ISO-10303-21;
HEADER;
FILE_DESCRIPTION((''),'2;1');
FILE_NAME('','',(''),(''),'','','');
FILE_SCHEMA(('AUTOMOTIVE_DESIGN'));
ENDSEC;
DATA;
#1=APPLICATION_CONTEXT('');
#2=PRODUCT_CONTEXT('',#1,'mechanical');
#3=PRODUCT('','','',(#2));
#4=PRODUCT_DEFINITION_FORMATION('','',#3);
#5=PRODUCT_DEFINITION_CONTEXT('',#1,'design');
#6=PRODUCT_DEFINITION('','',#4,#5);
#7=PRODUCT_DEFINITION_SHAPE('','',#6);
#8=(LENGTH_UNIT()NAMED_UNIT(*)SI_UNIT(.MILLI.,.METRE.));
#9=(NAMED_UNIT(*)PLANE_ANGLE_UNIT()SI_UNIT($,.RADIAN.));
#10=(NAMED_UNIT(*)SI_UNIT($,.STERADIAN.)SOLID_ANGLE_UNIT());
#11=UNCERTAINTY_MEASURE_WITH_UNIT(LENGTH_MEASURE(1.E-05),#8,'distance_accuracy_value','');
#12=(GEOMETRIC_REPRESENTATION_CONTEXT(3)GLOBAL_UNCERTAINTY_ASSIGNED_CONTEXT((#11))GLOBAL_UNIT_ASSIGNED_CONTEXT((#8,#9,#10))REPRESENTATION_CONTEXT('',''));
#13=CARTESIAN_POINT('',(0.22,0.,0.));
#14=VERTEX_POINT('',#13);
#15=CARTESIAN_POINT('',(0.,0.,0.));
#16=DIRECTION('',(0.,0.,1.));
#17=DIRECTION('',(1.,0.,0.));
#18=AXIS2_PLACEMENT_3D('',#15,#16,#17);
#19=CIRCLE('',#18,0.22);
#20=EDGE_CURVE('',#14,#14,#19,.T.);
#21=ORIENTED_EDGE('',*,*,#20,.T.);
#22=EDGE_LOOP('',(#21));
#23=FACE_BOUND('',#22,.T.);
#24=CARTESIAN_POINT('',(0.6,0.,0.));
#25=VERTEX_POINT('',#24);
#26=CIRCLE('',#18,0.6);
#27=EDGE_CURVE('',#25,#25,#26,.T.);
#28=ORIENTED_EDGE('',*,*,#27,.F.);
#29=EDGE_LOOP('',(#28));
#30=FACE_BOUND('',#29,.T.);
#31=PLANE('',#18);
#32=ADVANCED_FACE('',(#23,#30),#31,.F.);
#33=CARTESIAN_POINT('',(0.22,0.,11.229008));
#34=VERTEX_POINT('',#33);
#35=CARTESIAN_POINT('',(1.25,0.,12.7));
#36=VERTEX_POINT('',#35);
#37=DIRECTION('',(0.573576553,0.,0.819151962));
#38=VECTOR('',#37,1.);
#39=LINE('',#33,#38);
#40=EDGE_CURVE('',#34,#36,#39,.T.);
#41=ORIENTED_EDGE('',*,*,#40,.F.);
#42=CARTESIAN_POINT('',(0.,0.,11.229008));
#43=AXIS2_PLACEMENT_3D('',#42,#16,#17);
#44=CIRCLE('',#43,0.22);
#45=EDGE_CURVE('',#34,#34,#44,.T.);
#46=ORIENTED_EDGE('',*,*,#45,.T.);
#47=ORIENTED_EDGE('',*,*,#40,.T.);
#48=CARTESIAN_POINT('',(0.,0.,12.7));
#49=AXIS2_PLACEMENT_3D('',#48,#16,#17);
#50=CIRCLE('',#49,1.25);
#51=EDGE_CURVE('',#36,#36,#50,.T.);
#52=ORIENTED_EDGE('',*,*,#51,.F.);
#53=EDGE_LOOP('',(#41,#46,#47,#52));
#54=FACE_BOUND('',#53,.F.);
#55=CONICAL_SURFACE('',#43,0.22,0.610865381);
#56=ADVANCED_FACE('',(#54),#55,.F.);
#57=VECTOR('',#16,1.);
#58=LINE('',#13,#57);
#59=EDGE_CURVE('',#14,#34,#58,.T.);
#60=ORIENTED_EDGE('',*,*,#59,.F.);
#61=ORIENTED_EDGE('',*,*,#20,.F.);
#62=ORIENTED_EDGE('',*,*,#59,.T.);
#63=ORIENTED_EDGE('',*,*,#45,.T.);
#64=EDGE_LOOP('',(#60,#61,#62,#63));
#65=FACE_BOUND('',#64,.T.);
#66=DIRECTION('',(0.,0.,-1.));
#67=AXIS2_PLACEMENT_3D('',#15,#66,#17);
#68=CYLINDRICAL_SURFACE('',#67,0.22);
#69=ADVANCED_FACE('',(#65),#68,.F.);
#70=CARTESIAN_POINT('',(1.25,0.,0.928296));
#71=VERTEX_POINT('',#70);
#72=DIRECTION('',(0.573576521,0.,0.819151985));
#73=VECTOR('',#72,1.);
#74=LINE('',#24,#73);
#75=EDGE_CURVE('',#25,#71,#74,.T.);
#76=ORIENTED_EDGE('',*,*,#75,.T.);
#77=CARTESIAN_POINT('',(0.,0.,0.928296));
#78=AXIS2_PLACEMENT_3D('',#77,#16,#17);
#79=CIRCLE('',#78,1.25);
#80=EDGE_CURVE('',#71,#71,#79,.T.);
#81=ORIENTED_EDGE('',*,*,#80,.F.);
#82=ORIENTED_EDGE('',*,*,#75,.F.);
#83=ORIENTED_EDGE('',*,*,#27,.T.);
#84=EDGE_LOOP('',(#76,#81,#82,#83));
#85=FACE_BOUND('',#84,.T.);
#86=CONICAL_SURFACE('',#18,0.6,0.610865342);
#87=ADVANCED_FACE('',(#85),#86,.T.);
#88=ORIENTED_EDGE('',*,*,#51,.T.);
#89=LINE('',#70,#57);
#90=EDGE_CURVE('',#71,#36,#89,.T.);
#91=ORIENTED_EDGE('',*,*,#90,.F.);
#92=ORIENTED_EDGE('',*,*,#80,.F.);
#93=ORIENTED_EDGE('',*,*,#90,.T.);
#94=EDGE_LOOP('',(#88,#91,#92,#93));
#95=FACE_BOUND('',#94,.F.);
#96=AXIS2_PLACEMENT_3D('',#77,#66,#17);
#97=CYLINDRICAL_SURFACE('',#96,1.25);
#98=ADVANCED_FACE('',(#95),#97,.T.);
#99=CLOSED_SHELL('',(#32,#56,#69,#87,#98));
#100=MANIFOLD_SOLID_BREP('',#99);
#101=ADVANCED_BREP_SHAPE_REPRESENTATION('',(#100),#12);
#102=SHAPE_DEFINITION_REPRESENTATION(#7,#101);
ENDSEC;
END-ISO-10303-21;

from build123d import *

# Parameters (mm, degrees)
CYLINDER001_R     = 0.22
CYLINDER001_DEPTH = 12.7
CYLINDER_R        = 1.25
CYLINDER_DEPTH    = 11.771704


with BuildPart() as cone001:
    # Cone001 → Cone001 (revolve)
    with BuildSketch(Plane(origin=(0, 0, 11.229008), x_dir=(1, 0, 0), z_dir=(0, -1, 0))):
        Polygon((0, 0), (0.22, 0), (1.25, 1.470992), (0, 1.470992), align=None)
    revolve(axis=Axis((0, 0, 11.229008), (0, 0, 1)))


with BuildPart() as fusion001:
    # Cylinder001 → Cylinder001 (new body)
    with BuildSketch(Plane.XY):
        Circle(CYLINDER001_R)
    extrude(amount=CYLINDER001_DEPTH)

    # Fusion001: union Cone001
    add(cone001.part)


with BuildPart() as cone:
    # Cone → Cone (revolve)
    with BuildSketch(Plane.XZ):
        Polygon((0, 0), (0.6, 0), (1.25, 0.928296), (0, 0.928296), align=None)
    revolve(axis=Axis((0, 0, 0), (0, 0, 1)))


with BuildPart() as fiberferrule:
    # Cylinder → Cylinder (new body)
    with BuildSketch(Plane.XY.offset(0.928296)):
        Circle(CYLINDER_R)
    extrude(amount=CYLINDER_DEPTH)

    # Fusion: union Cone
    add(cone.part)

    # Cut: cut Fusion001
    add(fusion001.part, mode=Mode.SUBTRACT)


solid = fiberferrule.part
